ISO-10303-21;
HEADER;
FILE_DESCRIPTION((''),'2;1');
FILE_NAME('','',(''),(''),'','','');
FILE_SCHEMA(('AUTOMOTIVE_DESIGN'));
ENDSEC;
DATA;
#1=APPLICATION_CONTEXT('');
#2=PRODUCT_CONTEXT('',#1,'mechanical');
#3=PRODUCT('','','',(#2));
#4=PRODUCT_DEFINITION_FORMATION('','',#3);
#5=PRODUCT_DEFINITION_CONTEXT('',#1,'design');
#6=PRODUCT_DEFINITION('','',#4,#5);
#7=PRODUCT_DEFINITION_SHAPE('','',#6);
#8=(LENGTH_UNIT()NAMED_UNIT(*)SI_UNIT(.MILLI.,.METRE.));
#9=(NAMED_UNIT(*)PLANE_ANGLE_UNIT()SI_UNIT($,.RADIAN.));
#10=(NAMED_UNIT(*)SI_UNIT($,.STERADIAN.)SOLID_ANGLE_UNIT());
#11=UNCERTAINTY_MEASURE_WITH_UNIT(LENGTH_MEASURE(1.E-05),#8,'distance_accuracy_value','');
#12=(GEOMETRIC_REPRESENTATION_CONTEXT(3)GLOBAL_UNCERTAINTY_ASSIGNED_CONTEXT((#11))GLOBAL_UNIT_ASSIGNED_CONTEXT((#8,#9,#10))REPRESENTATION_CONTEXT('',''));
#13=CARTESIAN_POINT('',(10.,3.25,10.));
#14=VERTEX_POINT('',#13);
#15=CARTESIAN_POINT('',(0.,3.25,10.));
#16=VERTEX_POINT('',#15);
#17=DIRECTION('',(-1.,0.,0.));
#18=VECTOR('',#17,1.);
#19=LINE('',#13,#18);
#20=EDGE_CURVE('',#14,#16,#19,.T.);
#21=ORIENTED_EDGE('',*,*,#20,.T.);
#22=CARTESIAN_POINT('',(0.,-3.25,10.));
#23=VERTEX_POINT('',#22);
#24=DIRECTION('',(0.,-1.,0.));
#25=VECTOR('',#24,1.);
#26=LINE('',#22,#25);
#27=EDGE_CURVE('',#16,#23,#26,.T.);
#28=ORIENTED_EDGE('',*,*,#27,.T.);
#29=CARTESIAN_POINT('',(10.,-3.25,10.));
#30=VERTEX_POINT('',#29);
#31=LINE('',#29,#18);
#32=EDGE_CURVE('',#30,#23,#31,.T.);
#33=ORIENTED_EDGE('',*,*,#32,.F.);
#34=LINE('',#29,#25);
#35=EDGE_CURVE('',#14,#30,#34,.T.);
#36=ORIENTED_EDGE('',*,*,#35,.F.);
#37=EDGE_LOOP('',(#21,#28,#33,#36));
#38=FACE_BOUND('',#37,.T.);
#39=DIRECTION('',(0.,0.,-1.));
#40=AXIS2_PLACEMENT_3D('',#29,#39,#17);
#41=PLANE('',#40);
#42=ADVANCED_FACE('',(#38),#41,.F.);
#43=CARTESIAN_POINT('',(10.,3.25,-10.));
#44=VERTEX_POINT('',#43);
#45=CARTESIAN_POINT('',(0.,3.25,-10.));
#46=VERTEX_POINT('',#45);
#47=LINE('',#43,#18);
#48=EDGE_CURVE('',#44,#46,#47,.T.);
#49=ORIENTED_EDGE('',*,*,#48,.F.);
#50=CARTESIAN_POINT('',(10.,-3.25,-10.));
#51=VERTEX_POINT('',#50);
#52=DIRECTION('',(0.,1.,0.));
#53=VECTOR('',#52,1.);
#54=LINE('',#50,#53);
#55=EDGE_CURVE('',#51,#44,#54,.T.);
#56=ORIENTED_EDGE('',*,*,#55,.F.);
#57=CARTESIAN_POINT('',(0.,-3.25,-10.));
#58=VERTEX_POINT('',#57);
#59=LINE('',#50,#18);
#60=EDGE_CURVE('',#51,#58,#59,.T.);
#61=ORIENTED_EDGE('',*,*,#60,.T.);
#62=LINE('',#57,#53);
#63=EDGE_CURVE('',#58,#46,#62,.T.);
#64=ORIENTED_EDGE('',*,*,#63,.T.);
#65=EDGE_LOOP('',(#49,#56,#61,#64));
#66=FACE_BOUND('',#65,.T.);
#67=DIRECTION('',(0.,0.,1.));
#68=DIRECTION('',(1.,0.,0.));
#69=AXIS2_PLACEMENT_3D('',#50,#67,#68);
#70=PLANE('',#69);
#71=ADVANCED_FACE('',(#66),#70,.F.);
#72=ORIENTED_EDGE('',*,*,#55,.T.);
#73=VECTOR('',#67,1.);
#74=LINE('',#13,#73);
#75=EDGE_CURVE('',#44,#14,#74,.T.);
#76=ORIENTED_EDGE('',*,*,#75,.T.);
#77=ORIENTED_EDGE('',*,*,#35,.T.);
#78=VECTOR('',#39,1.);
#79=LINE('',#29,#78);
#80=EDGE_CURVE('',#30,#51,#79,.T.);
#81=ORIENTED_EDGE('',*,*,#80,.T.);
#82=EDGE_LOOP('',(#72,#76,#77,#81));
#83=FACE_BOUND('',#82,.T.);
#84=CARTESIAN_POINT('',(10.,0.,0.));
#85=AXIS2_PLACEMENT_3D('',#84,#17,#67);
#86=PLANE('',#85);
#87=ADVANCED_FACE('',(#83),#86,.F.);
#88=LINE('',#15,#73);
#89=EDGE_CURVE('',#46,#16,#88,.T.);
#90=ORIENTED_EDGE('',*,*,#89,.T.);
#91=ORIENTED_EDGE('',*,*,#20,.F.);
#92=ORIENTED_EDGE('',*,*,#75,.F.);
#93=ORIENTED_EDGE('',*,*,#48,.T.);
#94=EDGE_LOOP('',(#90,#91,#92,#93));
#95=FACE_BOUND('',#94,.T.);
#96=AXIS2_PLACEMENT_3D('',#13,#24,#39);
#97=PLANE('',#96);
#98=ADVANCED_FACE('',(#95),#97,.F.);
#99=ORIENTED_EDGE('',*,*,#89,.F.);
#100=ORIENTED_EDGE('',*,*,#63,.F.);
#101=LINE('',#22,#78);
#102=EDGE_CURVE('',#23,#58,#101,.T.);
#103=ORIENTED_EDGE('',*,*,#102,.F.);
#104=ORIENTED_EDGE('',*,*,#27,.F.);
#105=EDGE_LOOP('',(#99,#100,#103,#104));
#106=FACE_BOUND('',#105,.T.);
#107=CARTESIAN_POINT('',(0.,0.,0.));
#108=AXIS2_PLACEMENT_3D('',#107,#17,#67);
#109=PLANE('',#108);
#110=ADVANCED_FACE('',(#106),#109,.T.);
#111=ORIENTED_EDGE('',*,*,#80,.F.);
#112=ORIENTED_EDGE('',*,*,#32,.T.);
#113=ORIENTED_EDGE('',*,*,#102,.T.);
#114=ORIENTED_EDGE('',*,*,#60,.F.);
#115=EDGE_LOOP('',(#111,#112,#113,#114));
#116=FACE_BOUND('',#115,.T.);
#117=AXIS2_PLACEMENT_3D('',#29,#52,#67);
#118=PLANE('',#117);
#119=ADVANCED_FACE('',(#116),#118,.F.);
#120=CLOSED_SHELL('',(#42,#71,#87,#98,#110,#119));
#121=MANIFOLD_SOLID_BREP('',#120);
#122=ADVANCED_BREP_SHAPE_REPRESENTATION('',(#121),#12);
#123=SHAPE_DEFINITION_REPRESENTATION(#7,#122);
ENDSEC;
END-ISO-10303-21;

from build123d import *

# Parameters (mm, degrees)
SKETCH1_W           = 20
SKETCH1_H           = 6.5
BOSS_EXTRUDE1_DEPTH = 10


with BuildPart() as part:
    # Sketch1 → Boss-Extrude1 (new body)
    with BuildSketch(Plane(origin=(0, 0, 0), x_dir=(0, 0, -1), z_dir=(1, 0, 0))):
        Rectangle(SKETCH1_W, SKETCH1_H)
    extrude(amount=BOSS_EXTRUDE1_DEPTH)


solid = part.part
